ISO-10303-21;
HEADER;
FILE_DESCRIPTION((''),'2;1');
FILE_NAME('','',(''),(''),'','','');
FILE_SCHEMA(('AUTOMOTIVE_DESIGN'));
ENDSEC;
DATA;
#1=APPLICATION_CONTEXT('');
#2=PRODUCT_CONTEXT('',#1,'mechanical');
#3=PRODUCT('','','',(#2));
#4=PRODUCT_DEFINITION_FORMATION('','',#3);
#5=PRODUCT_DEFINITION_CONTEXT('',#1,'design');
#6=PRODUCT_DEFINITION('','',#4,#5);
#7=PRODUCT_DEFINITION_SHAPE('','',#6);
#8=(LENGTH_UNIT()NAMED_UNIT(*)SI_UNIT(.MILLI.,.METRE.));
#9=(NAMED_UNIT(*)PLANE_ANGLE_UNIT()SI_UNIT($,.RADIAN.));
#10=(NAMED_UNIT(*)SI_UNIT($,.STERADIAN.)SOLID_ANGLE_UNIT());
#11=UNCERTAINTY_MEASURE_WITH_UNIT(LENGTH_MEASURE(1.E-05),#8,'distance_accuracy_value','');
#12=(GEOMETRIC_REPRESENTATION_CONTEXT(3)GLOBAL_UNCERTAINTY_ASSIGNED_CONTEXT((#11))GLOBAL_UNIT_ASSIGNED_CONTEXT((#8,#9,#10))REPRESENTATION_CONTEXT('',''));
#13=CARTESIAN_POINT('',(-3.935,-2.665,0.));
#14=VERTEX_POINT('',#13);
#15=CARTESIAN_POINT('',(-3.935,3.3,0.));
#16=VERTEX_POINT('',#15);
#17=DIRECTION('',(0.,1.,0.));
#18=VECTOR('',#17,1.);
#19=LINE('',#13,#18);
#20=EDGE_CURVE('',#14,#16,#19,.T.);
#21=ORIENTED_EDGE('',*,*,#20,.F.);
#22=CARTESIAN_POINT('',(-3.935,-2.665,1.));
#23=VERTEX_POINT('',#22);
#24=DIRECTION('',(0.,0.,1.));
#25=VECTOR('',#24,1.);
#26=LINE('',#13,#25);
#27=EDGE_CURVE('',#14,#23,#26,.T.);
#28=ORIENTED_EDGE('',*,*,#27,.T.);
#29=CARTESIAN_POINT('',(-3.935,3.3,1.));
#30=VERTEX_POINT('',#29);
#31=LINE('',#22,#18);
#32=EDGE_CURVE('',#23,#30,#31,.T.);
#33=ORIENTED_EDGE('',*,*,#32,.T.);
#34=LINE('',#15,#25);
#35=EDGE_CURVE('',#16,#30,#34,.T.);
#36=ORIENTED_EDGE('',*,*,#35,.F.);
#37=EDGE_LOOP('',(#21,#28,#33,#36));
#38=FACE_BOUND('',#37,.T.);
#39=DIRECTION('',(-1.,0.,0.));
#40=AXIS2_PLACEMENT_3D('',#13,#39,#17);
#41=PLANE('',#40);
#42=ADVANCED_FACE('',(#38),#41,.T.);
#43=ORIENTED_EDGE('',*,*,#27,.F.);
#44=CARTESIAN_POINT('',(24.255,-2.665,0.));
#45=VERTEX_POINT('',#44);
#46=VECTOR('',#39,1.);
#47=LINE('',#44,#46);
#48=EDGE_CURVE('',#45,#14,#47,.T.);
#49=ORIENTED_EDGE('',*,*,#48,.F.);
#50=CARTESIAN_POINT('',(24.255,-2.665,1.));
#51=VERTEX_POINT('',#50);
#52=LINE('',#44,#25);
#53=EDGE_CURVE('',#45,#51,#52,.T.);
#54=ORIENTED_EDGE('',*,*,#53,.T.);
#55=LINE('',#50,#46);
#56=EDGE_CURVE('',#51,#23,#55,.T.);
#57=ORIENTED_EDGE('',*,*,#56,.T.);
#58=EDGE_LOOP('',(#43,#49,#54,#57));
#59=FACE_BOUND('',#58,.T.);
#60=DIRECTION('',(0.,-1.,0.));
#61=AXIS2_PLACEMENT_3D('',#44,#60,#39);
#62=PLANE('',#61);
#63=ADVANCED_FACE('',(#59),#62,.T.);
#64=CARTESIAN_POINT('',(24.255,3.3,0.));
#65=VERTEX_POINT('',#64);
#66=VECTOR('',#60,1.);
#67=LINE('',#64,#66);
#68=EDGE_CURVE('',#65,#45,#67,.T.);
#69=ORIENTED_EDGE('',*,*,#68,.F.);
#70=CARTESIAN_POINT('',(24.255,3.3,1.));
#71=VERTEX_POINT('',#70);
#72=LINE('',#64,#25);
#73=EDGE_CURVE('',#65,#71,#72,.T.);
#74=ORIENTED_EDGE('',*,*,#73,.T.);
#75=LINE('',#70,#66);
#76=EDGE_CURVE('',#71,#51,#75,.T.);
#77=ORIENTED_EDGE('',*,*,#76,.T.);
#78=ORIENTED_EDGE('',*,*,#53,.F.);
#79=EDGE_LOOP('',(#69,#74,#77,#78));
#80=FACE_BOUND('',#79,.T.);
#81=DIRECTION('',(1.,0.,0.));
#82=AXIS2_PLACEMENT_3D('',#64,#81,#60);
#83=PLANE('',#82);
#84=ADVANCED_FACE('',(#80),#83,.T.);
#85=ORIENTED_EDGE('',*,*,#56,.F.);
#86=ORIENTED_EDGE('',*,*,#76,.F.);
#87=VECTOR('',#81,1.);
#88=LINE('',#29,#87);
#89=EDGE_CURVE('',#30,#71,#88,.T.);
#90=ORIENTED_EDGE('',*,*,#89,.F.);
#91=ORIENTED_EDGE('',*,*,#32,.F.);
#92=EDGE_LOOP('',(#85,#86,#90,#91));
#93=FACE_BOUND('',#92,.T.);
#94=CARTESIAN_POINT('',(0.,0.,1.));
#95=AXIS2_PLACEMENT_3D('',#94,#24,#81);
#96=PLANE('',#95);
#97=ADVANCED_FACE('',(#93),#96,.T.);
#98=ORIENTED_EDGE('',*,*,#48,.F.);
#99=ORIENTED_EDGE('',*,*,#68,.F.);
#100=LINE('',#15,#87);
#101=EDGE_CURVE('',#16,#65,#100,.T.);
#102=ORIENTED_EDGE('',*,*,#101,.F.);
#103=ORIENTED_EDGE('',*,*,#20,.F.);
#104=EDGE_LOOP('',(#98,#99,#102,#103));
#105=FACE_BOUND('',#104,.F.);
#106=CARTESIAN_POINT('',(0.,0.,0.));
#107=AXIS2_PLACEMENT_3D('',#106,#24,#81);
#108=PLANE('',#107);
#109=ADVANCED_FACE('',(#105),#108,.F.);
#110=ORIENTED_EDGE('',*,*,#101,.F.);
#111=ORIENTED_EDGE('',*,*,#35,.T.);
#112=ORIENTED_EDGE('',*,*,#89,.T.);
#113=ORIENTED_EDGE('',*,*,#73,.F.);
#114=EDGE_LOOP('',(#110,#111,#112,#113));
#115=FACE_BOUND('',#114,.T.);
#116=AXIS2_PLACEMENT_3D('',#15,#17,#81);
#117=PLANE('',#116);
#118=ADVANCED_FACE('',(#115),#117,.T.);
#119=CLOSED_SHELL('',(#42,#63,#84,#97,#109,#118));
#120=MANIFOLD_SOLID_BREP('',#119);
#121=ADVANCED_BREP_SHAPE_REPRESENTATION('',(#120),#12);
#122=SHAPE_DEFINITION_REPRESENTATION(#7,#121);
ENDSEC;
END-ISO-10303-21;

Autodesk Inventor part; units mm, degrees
ref_plane "YZ Plane" through (0, 0, 0) normal (1, 0, 0) x (0, 1, 0)
ref_plane "XZ Plane" through (0, 0, 0) normal (0, 1, 0) x (-1, 0, 0)
ref_plane "XY Plane" through (0, 0, 0) normal (0, 0, 1) x (1, 0, 0)
sketch "C42_34, C42_34_251" plane through (0, 0, 0) normal (0, 0, 1) x (1, 0, 0)
  line L0 (-3.935, -2.665) -> (-3.935, 3.3)
  line L1 (-3.935, 3.3) -> (24.255, 3.3)
  line L2 (24.255, 3.3) -> (24.255, -2.665)
  line L3 (24.255, -2.665) -> (-3.935, -2.665)
extrude "Extrusion1" add sketch "C42_34, C42_34_251" along normal blind 1
properties part number "C42_34"
